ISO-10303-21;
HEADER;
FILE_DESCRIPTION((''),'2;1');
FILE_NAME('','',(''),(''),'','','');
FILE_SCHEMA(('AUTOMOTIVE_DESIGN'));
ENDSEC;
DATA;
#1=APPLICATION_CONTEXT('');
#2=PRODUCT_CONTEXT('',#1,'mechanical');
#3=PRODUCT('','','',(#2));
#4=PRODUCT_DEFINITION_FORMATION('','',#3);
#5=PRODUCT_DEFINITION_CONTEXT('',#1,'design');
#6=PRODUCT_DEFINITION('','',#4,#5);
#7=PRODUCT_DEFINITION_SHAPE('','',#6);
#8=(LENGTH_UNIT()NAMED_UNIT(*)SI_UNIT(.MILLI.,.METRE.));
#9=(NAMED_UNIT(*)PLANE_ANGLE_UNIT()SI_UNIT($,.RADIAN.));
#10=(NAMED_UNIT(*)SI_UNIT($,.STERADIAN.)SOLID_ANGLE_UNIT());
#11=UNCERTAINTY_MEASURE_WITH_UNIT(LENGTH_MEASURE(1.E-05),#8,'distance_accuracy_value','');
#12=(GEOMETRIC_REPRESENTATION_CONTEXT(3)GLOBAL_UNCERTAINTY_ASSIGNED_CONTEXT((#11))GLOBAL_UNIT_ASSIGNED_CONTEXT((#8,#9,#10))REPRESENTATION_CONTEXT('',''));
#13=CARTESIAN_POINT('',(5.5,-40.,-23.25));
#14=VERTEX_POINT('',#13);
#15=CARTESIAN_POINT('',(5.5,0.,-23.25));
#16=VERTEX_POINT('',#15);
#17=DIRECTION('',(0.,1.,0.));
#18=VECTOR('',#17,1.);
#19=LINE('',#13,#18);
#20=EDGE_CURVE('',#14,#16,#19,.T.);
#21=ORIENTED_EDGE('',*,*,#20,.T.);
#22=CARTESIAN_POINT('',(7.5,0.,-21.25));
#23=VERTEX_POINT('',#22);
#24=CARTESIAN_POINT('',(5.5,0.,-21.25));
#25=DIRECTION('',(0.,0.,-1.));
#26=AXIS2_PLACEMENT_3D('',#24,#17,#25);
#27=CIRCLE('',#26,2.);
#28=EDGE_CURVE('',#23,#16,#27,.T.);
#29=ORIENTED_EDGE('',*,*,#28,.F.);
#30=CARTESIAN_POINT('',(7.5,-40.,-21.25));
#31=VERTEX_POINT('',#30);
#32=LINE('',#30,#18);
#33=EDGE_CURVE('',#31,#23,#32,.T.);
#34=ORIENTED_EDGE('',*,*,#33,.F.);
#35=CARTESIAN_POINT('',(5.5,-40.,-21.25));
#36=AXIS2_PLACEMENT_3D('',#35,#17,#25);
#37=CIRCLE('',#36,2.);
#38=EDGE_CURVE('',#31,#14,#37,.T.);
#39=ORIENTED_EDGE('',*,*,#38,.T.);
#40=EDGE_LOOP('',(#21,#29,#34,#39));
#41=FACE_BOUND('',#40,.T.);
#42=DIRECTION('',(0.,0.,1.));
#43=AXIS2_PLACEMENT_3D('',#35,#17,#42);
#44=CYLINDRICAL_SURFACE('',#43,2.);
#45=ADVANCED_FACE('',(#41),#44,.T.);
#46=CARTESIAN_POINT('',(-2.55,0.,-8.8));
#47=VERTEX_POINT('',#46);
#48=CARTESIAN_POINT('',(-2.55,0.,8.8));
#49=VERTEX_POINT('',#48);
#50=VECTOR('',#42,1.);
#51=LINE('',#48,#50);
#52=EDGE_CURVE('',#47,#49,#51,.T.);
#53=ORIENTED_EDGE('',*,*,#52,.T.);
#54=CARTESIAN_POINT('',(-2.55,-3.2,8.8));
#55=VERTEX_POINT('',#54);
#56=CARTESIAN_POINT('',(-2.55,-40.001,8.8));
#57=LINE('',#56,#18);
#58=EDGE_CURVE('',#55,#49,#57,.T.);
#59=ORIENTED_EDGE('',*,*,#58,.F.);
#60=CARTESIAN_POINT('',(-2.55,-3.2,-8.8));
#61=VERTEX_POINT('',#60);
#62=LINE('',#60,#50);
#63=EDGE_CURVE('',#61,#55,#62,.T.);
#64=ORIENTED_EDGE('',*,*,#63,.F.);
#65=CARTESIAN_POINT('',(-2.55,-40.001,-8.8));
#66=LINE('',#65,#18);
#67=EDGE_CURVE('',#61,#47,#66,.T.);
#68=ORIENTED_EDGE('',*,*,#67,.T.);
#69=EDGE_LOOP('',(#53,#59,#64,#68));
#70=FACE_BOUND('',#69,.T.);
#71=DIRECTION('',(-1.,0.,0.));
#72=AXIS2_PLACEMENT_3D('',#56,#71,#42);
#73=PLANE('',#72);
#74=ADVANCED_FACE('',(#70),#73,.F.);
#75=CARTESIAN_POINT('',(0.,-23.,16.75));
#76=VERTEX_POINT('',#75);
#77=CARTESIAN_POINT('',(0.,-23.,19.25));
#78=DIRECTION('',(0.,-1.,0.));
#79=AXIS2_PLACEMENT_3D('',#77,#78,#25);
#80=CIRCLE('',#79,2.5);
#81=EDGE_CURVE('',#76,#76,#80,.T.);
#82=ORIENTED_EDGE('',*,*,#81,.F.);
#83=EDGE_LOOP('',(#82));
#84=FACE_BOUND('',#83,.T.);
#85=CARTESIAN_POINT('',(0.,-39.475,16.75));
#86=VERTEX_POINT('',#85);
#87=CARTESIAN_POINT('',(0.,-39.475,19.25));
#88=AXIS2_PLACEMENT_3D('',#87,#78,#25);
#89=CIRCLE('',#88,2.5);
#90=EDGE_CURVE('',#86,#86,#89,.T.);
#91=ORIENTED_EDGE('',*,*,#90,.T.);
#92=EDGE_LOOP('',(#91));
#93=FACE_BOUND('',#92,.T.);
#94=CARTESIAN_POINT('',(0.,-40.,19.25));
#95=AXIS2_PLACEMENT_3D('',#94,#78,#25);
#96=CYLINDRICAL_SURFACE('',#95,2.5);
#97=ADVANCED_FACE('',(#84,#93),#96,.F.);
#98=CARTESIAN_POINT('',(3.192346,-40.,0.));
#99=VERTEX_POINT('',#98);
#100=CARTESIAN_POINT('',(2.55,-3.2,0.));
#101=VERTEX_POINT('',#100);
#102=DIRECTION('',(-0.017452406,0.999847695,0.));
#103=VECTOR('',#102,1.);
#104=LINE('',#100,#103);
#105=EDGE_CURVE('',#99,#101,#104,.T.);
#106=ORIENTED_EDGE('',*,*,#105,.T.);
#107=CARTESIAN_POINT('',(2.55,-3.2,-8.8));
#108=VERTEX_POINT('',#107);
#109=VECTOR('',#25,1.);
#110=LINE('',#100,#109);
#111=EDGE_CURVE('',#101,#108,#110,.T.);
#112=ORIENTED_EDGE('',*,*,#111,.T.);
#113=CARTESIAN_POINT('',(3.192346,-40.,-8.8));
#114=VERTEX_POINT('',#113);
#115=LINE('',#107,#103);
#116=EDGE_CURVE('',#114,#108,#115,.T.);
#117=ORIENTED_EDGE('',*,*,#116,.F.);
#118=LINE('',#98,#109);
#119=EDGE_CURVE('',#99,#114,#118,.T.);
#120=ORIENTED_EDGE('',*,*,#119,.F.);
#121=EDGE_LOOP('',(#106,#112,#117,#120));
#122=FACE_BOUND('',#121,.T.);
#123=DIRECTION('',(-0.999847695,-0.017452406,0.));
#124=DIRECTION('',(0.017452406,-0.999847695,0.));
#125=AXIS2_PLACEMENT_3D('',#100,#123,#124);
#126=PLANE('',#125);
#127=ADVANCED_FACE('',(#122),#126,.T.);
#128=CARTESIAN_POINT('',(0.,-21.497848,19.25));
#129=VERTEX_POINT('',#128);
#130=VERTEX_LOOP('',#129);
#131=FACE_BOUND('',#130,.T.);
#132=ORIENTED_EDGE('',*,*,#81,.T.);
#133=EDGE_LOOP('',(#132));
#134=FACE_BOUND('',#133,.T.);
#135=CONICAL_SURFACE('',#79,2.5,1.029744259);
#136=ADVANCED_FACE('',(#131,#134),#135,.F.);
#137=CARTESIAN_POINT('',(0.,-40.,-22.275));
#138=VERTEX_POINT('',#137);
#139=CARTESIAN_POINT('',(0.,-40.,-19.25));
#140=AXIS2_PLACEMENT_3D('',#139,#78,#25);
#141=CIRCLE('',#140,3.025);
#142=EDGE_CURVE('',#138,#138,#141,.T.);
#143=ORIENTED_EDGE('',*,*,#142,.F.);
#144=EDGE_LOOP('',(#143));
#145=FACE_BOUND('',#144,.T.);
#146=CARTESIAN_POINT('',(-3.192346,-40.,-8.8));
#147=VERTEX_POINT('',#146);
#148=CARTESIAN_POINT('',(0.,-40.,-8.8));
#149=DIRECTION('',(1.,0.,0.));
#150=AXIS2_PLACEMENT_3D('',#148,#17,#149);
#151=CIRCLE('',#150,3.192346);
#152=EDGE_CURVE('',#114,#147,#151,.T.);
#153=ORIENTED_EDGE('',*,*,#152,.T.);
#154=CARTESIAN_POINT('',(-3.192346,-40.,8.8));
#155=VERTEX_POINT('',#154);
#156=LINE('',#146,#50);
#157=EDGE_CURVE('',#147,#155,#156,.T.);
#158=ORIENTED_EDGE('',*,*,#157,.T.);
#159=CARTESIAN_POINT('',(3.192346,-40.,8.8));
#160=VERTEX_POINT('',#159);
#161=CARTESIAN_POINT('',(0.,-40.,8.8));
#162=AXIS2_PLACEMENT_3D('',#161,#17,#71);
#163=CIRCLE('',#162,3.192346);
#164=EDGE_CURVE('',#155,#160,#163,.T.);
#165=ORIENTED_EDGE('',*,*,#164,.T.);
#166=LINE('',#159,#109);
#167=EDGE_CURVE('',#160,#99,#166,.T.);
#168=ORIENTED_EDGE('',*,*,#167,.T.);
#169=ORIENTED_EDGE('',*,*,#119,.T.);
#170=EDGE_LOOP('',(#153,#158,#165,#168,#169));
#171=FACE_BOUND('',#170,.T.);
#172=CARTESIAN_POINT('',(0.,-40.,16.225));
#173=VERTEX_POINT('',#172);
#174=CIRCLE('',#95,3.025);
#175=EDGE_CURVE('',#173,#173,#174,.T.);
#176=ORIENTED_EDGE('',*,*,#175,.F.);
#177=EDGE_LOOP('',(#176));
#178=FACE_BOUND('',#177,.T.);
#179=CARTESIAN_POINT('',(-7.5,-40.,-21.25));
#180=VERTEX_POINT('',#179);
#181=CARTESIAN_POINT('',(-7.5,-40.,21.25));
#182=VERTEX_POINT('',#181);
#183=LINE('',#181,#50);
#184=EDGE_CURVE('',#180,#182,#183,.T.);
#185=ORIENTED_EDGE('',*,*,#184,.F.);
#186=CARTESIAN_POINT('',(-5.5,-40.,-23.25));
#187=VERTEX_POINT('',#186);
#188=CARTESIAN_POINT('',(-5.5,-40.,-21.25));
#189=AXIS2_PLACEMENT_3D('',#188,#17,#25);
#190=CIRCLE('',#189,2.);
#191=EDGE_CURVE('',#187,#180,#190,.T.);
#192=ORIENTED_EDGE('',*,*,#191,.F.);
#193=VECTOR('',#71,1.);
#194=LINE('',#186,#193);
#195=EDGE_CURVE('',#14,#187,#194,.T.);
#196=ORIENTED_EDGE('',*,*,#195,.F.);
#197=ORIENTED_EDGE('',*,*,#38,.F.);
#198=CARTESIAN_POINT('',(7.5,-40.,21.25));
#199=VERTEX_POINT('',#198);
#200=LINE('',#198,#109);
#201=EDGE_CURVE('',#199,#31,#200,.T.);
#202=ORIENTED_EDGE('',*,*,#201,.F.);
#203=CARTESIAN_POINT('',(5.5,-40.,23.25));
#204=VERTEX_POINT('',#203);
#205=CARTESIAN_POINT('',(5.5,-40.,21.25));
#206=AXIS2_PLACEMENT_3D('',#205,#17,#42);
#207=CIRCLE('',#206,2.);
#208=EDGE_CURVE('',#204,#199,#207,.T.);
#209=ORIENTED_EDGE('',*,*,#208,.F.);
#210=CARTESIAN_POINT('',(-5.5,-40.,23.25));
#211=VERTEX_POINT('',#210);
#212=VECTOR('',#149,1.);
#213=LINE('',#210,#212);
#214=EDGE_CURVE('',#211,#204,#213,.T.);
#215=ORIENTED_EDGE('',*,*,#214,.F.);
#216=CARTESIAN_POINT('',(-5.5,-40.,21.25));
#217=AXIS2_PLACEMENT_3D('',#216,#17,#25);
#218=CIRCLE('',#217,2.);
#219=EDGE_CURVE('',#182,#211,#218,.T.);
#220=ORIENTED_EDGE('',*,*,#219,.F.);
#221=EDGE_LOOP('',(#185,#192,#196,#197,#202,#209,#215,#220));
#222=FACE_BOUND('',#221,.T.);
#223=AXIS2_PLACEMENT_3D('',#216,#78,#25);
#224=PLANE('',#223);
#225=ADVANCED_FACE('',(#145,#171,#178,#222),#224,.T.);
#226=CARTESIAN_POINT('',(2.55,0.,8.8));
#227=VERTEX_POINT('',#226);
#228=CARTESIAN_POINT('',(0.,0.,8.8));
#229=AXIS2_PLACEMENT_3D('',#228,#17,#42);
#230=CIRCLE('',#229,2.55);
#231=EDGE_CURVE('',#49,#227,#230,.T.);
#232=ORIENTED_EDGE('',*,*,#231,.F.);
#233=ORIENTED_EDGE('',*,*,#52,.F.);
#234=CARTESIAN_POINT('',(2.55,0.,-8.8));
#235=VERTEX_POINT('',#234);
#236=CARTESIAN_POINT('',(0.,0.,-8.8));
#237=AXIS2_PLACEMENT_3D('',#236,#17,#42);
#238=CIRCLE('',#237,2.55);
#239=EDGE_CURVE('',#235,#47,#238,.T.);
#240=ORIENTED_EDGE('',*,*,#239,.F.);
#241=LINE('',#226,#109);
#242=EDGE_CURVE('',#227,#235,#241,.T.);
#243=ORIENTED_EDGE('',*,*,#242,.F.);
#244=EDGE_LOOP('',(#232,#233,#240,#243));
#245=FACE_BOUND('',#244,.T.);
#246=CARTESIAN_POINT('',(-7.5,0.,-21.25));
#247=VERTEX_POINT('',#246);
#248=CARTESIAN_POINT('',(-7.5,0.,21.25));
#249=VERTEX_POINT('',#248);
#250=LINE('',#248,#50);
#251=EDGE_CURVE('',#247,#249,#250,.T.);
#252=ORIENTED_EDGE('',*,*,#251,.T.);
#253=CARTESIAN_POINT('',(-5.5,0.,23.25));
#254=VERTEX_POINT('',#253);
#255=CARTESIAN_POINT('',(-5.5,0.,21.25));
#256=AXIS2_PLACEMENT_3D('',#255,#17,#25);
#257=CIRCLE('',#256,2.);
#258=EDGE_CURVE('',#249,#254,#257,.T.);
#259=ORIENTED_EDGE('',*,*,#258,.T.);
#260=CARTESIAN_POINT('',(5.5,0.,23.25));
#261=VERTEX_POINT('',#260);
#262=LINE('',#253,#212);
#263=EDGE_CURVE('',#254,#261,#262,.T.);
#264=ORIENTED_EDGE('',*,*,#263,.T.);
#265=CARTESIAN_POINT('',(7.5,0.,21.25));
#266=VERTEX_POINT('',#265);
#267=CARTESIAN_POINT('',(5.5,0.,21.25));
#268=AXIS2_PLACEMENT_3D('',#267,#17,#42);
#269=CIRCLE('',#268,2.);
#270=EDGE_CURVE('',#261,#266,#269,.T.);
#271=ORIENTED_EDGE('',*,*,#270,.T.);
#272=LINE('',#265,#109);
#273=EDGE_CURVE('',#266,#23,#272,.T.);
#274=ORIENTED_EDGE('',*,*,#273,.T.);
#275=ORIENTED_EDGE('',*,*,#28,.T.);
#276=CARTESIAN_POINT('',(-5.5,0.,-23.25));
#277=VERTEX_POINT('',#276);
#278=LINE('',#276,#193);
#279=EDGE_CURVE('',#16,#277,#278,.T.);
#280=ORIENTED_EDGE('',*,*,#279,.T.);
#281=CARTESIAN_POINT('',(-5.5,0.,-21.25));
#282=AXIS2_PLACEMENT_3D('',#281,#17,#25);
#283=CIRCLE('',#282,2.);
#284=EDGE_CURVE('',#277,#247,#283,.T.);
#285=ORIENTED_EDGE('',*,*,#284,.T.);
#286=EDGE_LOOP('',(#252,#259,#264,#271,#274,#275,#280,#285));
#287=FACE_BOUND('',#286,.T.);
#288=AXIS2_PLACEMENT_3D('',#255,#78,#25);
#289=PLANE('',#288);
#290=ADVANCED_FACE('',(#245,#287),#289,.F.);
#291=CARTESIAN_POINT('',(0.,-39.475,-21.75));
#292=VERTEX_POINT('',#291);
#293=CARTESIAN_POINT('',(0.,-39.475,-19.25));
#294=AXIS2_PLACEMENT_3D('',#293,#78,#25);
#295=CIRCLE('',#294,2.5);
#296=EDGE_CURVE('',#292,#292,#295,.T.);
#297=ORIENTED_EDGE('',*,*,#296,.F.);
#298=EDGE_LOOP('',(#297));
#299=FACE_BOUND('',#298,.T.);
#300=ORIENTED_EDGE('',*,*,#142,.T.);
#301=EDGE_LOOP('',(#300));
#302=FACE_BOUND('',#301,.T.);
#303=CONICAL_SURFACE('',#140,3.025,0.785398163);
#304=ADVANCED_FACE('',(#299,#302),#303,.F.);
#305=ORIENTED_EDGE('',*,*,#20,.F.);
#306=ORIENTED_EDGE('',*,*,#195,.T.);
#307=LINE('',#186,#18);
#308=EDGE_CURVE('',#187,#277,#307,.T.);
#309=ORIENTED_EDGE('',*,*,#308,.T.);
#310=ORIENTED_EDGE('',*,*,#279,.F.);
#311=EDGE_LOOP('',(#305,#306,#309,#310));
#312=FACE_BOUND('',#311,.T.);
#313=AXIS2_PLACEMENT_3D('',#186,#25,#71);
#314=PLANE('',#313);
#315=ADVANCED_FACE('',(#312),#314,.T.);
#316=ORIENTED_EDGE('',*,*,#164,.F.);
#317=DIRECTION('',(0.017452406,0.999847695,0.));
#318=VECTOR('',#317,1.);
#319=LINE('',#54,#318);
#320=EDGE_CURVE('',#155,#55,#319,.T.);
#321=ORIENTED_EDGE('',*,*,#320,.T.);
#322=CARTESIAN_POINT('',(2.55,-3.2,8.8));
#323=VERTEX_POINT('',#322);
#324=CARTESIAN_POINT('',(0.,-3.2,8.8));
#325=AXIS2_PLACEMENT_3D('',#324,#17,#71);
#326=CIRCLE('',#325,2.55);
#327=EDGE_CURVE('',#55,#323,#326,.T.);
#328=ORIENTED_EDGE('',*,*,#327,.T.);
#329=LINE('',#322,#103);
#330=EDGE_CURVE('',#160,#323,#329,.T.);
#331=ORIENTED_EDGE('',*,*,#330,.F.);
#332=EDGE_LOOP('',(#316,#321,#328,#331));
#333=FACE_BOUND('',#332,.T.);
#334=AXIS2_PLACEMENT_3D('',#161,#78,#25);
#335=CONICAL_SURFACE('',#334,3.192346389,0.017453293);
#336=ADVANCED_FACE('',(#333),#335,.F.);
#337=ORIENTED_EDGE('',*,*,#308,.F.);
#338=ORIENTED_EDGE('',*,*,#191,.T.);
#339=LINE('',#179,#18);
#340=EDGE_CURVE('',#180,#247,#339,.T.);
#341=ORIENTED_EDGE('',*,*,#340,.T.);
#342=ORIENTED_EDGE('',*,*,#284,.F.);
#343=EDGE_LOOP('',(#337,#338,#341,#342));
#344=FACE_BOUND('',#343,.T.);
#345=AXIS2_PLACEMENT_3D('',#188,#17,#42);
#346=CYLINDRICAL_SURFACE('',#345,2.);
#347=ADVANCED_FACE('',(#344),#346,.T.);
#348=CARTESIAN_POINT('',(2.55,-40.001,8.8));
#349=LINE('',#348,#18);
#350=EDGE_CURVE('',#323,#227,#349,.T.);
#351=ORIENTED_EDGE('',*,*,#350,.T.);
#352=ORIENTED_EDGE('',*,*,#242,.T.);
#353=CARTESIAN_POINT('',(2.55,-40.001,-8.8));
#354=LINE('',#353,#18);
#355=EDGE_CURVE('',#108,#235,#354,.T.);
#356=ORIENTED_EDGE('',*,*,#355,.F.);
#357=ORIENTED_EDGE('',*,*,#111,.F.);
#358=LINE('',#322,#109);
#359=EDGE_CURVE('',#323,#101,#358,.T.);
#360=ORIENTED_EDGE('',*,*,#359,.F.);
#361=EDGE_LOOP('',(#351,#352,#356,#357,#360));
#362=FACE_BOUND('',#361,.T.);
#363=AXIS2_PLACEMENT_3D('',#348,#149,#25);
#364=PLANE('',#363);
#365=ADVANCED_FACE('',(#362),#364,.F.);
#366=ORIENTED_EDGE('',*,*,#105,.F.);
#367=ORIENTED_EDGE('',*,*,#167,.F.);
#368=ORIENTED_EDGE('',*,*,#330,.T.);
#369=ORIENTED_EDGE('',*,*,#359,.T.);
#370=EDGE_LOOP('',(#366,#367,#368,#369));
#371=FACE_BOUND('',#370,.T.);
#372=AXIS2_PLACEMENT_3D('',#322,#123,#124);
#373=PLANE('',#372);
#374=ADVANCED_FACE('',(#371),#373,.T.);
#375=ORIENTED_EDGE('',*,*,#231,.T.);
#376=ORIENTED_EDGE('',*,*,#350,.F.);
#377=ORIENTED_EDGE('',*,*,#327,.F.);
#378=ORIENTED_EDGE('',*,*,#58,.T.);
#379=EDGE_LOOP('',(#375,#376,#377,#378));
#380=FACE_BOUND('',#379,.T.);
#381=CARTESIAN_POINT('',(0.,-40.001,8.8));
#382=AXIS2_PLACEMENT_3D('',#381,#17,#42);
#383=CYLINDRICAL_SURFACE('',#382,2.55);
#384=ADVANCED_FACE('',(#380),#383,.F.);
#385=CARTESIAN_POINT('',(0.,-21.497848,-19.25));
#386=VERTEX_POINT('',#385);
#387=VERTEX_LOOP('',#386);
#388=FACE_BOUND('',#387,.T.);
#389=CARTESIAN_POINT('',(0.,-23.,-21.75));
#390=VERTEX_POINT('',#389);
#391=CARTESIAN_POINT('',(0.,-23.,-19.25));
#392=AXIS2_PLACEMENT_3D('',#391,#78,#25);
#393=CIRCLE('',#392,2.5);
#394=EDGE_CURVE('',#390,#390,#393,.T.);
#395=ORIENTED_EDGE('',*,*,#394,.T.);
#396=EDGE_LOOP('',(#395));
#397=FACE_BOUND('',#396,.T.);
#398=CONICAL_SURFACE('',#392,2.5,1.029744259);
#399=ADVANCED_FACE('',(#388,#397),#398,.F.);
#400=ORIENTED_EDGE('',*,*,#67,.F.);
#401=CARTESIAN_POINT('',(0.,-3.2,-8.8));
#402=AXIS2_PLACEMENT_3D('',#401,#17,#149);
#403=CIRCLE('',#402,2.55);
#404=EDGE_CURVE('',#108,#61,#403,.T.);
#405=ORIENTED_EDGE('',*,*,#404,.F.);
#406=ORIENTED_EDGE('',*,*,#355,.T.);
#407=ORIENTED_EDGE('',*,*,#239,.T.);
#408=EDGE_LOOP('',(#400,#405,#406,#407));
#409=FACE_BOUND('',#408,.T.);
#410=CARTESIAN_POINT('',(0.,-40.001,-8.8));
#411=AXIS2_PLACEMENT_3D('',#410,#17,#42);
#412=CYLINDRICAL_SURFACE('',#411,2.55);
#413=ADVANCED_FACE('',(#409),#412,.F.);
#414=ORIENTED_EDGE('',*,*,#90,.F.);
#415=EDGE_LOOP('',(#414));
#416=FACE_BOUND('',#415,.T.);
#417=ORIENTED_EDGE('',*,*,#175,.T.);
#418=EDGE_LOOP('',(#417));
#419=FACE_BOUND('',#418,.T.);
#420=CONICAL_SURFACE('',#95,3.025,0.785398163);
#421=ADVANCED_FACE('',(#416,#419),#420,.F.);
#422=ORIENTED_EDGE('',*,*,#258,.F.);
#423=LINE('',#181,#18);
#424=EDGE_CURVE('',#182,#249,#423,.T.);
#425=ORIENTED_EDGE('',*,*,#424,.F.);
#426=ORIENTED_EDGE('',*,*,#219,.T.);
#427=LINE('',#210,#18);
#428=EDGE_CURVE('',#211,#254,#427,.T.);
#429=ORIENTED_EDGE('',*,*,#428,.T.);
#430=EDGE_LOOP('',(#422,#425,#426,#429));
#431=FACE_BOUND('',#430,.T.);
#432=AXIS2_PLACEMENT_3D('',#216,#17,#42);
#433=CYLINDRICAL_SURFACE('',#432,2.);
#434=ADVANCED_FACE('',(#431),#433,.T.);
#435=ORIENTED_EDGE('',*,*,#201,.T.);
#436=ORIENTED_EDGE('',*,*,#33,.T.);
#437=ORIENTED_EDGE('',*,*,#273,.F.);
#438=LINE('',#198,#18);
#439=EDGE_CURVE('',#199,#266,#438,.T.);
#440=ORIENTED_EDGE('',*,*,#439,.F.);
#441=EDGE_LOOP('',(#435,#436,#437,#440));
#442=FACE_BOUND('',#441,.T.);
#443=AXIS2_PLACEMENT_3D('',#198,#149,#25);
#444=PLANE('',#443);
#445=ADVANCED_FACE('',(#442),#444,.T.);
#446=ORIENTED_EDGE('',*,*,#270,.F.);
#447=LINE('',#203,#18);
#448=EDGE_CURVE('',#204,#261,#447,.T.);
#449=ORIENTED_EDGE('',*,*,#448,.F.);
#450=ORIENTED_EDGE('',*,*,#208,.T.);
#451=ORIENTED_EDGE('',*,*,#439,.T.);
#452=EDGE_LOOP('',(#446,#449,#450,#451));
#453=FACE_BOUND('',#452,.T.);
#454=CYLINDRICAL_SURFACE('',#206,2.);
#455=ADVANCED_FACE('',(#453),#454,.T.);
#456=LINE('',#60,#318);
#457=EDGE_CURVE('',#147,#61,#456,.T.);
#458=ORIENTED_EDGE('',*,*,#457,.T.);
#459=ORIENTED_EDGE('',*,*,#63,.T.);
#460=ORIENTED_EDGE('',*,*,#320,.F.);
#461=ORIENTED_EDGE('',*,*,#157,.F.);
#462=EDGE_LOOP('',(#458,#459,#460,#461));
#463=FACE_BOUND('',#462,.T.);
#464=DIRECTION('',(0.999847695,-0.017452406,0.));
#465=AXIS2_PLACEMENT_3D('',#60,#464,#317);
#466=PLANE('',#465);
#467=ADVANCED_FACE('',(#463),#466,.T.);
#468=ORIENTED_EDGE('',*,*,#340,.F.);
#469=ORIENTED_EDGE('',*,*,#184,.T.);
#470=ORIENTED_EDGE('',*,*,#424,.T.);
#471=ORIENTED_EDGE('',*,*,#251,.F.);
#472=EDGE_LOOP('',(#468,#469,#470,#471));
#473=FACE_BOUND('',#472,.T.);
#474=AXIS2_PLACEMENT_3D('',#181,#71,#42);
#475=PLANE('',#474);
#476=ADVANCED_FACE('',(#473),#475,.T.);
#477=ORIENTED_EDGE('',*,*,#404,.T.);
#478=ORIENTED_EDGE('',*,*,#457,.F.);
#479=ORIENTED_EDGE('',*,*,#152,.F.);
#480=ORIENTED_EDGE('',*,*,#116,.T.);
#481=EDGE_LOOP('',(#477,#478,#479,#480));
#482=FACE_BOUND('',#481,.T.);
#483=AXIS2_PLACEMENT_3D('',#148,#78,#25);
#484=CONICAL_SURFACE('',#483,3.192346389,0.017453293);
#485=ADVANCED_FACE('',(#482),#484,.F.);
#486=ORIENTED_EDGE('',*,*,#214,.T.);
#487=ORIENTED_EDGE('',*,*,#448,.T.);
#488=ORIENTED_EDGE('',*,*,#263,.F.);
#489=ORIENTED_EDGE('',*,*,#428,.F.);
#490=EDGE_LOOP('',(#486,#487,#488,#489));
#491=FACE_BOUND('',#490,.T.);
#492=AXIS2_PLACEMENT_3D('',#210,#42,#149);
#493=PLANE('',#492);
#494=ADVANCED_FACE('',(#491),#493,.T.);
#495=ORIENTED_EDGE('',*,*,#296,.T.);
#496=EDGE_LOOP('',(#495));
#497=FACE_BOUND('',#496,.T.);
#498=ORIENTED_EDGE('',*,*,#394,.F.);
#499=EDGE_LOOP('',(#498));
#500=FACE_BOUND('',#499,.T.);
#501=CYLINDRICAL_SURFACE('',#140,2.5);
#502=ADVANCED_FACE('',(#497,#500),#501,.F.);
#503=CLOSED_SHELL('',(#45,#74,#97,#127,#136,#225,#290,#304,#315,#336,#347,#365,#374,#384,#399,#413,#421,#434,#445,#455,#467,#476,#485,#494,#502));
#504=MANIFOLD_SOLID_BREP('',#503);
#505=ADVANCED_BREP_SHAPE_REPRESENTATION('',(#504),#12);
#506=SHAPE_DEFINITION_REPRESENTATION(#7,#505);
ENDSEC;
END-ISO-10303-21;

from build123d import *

# Parameters (mm, degrees)
BOSS_EXTRUDE1_DEPTH         = 40
CUT_EXTRUDE2_REACH          = 48.87
M6_TAPPED_HOLE1_D           = 5
M6_TAPPED_HOLE1_DEPTH       = 17
M6_TAPPED_HOLE1_CSINK_D     = 6.05
M6_TAPPED_HOLE1_CSINK_ANGLE = 90
M6_TAPPED_HOLE1_TIP         = 1.502151548


with BuildPart() as part:
    # Sketch1 → Boss-Extrude1 (new body)
    with BuildSketch(Plane(origin=(0, 0, 0), x_dir=(1, 0, 0), z_dir=(0, 1, 0))):
        with BuildLine():
            Line((-5.5, -23.25), (5.5, -23.25))
            ThreePointArc((5.5, -23.25), (6.914213562, -22.664213562), (7.5, -21.25))
            Line((7.5, -21.25), (7.5, 21.25))
            ThreePointArc((7.5, 21.25), (6.914213562, 22.664213562), (5.5, 23.25))
            Line((5.5, 23.25), (-5.5, 23.25))
            ThreePointArc((-5.5, 23.25), (-6.914213562, 22.664213562), (-7.5, 21.25))
            Line((-7.5, 21.25), (-7.5, -21.25))
            ThreePointArc((-7.5, -21.25), (-6.914213562, -22.664213562), (-5.5, -23.25))
        make_face()
    extrude(amount=-BOSS_EXTRUDE1_DEPTH)

    # Sketch5 → Cut-Extrude2 (cut, up to next)
    with BuildSketch(Plane(origin=(0, 0, 0), x_dir=(1, 0, 0), z_dir=(0, 1, 0)), mode=Mode.PRIVATE) as cut_extrude2_sk1:
        with BuildLine():
            Line((-2.55, -8.8), (-2.55, 8.8))
            ThreePointArc((-2.55, 8.8), (0, 11.35), (2.55, 8.8))
            Line((2.55, 8.8), (2.55, -8.8))
            ThreePointArc((2.55, -8.8), (0, -11.35), (-2.55, -8.8))
        make_face()
    cut_extrude2_tool1 = extrude(cut_extrude2_sk1.sketch, amount=-CUT_EXTRUDE2_REACH, mode=Mode.PRIVATE) & part.part
    add(cut_extrude2_tool1.solids().sort_by_distance((0, 0, 0))[0], mode=Mode.SUBTRACT)

    # Cut-Sweep1: sweep along a path in Sketch8
    with BuildLine(Plane(origin=(0, 0, 0), x_dir=(1, 0, 0), z_dir=(0, 1, 0))) as cut_sweep1_path:
        Line((-2.55, 8.8), (-2.55, -8.8))
        ThreePointArc((-2.55, -8.8), (0, -11.35), (2.55, -8.8))
        Line((2.55, -8.8), (2.55, 8.8))
        ThreePointArc((2.55, 8.8), (0, 11.35), (-2.55, 8.8))
    # Sketch7 → Cut-Sweep1 (sweep, cut)
    with BuildSketch(Plane.XY):
        Polygon((2.55, -3.2), (3.192346389, -40), (2.55, -40), align=None)
    sweep(path=cut_sweep1_path.line, mode=Mode.SUBTRACT)

    # M6 Tapped Hole1
    with Locations(Plane(origin=(0, -40, 0), x_dir=(-1, 0, 0), z_dir=(0, -1, 0))):
        with Locations((0, 19.25), (0, -19.25)):
            CounterSinkHole(M6_TAPPED_HOLE1_D / 2, M6_TAPPED_HOLE1_CSINK_D / 2, depth=M6_TAPPED_HOLE1_DEPTH, counter_sink_angle=M6_TAPPED_HOLE1_CSINK_ANGLE)
            with Locations((0, 0, -(M6_TAPPED_HOLE1_DEPTH + M6_TAPPED_HOLE1_TIP / 2))):  # 118° drill point
                Cone(0, M6_TAPPED_HOLE1_D / 2, M6_TAPPED_HOLE1_TIP, mode=Mode.SUBTRACT)


solid = part.part
